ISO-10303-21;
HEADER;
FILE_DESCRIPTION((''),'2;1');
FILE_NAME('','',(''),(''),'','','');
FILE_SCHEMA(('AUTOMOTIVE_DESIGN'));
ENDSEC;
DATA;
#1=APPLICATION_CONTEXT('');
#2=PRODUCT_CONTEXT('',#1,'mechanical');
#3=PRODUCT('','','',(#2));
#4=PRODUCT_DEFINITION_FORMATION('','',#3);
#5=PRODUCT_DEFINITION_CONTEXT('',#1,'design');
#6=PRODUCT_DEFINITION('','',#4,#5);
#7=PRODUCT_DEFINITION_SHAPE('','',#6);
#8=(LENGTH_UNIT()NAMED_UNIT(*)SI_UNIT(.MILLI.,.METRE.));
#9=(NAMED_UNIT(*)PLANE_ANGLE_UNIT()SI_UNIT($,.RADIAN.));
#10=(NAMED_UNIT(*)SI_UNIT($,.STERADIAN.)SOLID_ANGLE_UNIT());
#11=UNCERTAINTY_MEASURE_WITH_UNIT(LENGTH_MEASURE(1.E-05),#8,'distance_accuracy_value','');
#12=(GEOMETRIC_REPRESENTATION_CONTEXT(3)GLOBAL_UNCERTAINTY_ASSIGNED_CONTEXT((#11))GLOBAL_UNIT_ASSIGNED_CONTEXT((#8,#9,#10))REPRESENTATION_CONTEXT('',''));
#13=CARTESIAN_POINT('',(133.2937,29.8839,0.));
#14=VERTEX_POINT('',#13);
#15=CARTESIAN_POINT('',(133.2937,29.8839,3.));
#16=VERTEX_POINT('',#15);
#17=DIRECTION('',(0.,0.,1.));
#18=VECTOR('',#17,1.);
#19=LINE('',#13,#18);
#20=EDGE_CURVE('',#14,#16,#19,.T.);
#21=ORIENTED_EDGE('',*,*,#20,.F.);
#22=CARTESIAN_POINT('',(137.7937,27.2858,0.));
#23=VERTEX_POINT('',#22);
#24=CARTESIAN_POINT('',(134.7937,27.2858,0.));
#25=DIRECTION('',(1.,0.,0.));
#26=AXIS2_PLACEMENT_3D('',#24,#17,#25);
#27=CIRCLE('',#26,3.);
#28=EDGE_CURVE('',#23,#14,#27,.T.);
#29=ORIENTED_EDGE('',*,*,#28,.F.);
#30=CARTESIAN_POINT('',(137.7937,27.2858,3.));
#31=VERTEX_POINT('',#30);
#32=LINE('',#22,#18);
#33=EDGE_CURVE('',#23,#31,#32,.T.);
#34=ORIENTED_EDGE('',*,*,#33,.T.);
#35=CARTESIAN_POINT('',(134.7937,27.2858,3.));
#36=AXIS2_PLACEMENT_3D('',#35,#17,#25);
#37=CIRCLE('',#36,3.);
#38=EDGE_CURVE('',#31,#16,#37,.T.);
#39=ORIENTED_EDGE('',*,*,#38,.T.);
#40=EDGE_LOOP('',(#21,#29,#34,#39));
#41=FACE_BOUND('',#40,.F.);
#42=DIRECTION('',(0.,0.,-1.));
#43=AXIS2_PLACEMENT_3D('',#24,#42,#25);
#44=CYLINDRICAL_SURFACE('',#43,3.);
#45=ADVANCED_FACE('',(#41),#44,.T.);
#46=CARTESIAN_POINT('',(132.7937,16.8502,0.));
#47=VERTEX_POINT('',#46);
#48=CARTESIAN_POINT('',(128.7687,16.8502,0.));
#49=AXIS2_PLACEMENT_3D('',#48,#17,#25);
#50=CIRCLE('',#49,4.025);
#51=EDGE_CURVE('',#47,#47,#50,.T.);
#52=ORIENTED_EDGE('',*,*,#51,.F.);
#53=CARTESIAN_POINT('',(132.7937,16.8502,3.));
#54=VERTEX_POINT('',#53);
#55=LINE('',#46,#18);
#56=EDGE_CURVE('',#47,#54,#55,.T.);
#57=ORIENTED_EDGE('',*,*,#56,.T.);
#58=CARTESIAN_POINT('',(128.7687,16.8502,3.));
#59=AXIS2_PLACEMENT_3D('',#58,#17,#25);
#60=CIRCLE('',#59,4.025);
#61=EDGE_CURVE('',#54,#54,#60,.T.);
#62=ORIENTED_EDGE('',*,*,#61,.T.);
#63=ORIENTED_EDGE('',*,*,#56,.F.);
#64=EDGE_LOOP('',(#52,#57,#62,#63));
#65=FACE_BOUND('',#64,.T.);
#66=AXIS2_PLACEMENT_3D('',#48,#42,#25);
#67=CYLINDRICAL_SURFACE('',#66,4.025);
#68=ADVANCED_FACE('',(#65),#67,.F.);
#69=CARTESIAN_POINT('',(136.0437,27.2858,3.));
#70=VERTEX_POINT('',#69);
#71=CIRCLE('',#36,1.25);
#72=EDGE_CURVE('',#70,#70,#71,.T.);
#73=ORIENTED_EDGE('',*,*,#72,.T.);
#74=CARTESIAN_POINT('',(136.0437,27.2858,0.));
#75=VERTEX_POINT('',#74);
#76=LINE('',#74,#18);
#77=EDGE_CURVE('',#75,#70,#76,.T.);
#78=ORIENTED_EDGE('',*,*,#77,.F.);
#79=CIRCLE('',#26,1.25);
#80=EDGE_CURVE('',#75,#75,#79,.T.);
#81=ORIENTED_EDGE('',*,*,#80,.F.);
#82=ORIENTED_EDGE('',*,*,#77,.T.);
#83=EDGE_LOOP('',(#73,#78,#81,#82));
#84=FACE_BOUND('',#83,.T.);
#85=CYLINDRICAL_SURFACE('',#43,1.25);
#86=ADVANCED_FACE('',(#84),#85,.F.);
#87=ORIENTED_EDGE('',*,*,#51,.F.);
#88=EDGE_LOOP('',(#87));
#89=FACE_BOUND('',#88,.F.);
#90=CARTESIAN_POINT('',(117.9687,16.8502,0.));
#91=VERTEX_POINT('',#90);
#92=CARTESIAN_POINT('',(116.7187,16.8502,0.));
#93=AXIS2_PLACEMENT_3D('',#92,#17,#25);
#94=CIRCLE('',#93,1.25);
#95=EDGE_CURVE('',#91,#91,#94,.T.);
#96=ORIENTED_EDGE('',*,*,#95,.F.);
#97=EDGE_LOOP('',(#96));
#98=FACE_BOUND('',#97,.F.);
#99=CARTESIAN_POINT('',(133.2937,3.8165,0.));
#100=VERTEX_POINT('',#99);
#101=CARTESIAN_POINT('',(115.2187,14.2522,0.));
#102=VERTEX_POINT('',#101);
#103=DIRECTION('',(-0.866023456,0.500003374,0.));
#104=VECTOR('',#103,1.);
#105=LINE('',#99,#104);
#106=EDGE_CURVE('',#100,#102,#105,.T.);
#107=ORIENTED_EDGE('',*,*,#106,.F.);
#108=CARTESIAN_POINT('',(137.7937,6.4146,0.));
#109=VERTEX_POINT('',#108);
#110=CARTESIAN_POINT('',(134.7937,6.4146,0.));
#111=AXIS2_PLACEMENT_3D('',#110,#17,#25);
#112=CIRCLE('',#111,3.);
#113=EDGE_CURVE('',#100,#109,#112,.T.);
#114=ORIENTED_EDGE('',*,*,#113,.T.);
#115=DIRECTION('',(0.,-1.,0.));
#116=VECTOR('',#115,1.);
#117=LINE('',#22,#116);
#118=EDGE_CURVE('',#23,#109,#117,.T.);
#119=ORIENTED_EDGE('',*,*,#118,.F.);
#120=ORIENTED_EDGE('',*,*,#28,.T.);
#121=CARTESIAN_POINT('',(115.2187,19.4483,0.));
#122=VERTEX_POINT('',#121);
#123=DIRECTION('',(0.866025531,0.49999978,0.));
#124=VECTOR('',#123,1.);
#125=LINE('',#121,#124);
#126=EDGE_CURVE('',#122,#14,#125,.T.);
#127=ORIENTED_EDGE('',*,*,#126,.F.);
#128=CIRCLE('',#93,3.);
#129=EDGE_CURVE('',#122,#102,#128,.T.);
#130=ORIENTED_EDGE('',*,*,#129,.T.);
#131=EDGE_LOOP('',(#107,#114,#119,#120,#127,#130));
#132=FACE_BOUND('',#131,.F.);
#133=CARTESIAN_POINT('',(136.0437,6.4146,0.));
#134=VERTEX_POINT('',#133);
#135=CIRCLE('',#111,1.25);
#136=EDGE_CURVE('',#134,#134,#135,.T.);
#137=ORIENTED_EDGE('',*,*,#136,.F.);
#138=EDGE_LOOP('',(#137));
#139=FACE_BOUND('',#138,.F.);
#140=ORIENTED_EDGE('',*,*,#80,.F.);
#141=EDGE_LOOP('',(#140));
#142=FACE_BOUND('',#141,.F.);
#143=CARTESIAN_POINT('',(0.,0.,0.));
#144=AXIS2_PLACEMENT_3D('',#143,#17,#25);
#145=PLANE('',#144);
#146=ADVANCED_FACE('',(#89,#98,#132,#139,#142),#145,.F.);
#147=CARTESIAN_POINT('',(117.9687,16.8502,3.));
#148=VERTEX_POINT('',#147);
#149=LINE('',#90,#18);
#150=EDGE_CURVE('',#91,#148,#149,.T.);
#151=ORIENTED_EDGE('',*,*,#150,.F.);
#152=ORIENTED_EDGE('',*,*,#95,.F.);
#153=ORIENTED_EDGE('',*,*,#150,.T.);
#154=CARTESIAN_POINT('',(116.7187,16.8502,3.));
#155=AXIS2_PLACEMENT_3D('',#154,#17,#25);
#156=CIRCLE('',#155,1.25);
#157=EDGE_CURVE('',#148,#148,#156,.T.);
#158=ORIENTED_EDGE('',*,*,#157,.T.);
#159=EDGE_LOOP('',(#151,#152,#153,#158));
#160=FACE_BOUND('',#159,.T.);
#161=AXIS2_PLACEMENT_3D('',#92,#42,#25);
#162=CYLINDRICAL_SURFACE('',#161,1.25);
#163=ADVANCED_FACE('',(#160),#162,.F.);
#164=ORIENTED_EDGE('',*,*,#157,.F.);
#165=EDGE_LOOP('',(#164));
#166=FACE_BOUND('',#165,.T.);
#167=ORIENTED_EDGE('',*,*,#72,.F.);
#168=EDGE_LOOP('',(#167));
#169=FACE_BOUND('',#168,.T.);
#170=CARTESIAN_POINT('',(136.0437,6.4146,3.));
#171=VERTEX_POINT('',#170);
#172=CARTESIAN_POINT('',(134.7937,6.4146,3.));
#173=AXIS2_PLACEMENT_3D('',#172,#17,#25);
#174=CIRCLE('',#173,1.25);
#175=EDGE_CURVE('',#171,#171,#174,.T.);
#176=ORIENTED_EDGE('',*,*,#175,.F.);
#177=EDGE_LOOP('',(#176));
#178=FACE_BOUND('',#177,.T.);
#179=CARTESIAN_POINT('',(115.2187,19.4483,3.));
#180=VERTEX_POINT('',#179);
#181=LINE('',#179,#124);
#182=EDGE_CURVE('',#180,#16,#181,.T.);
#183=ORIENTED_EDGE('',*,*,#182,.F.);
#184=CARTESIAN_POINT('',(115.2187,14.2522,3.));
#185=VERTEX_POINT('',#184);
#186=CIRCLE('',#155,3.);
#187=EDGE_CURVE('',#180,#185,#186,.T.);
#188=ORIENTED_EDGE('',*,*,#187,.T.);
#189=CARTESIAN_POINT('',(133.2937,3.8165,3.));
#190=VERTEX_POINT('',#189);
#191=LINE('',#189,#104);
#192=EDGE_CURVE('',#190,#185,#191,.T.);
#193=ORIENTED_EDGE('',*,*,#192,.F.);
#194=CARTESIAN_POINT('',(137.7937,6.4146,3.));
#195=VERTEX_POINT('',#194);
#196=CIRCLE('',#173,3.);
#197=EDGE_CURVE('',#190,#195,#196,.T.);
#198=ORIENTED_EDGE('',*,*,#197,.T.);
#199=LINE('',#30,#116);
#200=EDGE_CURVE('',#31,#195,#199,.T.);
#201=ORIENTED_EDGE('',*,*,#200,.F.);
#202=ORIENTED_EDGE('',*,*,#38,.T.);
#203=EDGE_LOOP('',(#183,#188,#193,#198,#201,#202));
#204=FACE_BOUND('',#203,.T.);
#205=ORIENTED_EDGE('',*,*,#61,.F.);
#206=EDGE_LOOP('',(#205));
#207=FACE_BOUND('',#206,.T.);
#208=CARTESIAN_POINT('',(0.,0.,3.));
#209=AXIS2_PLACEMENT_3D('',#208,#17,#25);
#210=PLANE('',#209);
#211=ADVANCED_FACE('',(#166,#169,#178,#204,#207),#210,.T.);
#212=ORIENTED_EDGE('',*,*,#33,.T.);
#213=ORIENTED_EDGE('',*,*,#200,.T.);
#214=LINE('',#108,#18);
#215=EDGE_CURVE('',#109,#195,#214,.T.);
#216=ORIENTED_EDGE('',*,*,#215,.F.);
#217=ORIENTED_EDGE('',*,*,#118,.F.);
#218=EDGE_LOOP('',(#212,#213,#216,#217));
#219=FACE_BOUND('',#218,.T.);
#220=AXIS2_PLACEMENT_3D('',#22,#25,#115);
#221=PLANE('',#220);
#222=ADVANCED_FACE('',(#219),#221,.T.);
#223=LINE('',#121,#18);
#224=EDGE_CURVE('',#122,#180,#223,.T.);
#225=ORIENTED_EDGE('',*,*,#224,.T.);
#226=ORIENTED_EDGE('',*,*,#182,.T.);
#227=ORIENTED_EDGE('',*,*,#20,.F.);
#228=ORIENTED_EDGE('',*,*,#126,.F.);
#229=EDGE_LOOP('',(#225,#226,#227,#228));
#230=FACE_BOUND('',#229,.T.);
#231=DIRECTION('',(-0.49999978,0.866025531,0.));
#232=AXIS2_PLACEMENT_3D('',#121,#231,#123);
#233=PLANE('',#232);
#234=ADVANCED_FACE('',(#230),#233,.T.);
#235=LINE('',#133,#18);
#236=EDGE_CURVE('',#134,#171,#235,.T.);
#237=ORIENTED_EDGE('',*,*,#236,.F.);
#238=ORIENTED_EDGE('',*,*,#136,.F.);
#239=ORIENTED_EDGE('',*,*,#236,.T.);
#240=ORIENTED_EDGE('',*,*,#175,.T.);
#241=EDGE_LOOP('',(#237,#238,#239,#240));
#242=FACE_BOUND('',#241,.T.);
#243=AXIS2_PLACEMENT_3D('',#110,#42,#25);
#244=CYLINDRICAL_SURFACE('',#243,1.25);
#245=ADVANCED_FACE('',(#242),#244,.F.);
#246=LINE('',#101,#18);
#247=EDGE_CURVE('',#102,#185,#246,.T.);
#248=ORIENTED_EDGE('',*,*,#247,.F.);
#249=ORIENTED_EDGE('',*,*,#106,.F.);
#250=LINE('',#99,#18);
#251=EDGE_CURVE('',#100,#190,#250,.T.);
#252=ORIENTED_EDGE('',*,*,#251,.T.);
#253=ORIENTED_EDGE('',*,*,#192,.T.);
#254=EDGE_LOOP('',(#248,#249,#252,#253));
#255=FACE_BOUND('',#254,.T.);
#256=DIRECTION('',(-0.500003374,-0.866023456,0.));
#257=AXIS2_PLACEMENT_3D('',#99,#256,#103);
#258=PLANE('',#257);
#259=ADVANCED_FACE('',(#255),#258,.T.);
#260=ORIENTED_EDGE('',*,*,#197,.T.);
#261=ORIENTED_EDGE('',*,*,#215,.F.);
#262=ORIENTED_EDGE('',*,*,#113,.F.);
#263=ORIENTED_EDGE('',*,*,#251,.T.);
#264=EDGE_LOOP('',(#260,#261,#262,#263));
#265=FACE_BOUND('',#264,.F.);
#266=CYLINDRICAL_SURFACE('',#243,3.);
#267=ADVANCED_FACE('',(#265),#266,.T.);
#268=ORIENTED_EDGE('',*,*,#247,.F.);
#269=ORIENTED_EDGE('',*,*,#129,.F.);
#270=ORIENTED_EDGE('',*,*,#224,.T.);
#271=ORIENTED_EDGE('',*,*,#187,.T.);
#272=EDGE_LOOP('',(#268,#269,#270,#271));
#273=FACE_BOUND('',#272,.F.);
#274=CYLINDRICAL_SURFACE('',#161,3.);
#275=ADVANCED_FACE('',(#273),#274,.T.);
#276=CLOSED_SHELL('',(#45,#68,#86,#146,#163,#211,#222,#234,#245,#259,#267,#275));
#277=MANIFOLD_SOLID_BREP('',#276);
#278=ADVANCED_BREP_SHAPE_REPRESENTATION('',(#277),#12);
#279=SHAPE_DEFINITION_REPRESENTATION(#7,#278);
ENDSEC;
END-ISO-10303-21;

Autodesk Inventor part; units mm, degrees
ref_plane "YZ Plane" through (0, 0, 0) normal (1, 0, 0) x (0, 1, 0)
ref_plane "XZ Plane" through (0, 0, 0) normal (0, 1, 0) x (-1, 0, 0)
ref_plane "XY Plane" through (0, 0, 0) normal (0, 0, 1) x (1, 0, 0)
sketch "スケッチ1" plane through (0, 0, 0) normal (0, 0, 1) x (1, 0, 0)
  circle A0 centre (116.7187, 16.8502) radius 1.5 construction
  circle A1 centre (116.7187, 16.8502) radius 3
  circle A2 centre (134.7937, 6.4146) radius 3
  circle A3 centre (134.7937, 27.2858) radius 3
  line L0 (115.2187, 19.4483) -> (133.2937, 29.8839)
  line L1 (137.7937, 27.2858) -> (137.7937, 6.4146)
  line L2 (133.2937, 3.8165) -> (115.2187, 14.2522)
  circle A4 centre (116.7187, 16.8502) radius 1.25
  circle A5 centre (134.7937, 6.4146) radius 1.25
  circle A6 centre (134.7937, 27.2858) radius 1.25
  circle A7 centre (128.7687, 16.8502) radius 4.025
  point P0 (0, 0)
  point P1 (0, 0)
  dimension "d4" = 6
  dimension "d5" = 360
  dimension "d6" = 2.5
  dimension "d7" = 360
extrude "押し出し1" add sketch "スケッチ1" along normal blind 3
properties part number "最終段小ギア軸受け" material "アルミニウム 2014-T4"
